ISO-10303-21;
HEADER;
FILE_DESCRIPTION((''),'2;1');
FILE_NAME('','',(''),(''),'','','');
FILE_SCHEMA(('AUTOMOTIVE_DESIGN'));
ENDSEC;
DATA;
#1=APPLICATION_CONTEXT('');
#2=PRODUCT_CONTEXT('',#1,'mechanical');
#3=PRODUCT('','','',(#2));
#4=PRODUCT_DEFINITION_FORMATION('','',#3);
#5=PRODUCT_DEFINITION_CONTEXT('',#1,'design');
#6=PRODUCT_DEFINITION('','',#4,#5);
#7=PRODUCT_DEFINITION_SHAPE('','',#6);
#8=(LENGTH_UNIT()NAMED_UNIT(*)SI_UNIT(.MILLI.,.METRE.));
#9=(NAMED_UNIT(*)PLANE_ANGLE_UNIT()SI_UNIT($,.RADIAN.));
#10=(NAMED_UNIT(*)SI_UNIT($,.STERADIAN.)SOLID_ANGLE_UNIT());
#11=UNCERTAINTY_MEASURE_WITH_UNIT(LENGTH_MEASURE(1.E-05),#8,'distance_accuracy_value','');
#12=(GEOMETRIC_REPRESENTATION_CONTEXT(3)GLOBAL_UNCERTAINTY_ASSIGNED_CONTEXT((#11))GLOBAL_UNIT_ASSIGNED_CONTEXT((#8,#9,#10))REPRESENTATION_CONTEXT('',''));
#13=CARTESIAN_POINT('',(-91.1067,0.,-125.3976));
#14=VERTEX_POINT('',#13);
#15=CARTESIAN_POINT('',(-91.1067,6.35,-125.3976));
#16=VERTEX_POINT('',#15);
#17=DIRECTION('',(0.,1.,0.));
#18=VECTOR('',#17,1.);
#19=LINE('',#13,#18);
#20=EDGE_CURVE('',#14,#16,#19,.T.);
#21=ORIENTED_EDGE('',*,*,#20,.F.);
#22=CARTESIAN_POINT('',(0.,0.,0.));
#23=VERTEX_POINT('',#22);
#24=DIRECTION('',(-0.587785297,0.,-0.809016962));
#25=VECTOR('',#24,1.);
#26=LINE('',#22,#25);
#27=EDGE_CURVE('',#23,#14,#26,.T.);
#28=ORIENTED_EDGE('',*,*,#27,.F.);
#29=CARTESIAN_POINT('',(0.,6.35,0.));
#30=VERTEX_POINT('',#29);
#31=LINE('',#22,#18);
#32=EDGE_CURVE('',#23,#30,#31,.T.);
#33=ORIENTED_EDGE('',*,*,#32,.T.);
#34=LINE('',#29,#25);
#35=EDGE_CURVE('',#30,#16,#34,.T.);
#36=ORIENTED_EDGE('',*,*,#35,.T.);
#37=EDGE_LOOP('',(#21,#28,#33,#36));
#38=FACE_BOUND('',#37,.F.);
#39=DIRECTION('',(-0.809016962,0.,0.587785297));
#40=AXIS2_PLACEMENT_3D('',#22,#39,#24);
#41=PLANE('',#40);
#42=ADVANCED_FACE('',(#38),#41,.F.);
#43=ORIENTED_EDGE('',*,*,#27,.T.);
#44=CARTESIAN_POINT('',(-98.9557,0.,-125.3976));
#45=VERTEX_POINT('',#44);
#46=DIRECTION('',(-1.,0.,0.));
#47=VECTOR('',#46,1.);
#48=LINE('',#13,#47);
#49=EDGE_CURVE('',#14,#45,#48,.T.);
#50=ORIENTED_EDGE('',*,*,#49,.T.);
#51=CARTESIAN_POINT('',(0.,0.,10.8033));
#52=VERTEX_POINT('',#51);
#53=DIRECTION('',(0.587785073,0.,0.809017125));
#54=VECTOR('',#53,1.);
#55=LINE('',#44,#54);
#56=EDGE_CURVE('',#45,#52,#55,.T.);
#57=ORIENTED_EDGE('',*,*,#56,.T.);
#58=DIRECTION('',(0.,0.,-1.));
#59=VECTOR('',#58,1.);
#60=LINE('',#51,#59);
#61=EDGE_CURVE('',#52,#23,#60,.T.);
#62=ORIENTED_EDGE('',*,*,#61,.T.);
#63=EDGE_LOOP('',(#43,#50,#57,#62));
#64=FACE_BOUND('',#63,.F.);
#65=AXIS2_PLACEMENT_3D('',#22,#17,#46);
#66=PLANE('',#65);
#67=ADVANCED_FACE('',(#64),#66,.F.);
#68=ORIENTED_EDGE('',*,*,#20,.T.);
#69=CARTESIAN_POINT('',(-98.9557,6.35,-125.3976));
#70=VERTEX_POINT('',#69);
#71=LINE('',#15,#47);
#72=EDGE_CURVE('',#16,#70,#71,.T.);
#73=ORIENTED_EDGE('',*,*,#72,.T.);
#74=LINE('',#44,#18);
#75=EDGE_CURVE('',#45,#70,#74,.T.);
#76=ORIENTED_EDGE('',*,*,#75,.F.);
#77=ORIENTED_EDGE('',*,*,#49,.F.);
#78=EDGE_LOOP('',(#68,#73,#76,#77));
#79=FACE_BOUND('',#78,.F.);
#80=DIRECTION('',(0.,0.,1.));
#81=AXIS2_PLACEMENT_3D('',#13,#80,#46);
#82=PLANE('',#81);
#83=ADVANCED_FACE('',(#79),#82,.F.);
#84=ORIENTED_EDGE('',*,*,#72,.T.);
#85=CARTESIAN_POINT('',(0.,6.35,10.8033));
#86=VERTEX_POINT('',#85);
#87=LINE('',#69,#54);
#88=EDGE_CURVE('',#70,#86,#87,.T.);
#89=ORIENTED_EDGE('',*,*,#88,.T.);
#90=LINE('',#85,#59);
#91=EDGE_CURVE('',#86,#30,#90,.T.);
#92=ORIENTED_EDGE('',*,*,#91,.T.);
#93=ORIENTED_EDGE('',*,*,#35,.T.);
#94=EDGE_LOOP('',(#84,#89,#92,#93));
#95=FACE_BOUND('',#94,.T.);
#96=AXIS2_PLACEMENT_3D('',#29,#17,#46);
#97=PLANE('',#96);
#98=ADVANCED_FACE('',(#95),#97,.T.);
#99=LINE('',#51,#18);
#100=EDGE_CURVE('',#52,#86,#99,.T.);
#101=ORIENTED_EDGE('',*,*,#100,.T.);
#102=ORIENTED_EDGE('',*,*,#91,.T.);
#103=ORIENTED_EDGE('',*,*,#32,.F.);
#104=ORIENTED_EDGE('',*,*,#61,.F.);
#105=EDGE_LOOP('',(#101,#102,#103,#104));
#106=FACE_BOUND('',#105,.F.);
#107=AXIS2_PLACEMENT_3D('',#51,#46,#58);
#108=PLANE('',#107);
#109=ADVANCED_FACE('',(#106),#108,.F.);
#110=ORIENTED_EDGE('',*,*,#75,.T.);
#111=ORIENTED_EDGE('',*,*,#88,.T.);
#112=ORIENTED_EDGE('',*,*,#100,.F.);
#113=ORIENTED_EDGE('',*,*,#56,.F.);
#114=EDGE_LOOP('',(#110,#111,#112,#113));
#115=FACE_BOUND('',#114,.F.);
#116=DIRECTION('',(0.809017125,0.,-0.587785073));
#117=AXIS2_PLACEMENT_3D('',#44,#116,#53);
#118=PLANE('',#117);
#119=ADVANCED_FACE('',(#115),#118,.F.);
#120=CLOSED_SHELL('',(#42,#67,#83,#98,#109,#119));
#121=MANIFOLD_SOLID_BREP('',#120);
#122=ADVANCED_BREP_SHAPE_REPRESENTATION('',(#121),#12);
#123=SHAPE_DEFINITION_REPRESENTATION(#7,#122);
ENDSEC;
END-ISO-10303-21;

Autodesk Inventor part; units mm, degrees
ref_plane "YZ Plane" through (0, 0, 0) normal (1, 0, 0) x (0, 1, 0)
ref_plane "XZ Plane" through (0, 0, 0) normal (0, 1, 0) x (-1, 0, 0)
ref_plane "XY Plane" through (0, 0, 0) normal (0, 0, 1) x (1, 0, 0)
sketch "Sketch1" plane through (0, 0, 0) normal (0, 1, 0) x (-1, 0, 0)
  line L0 (0, 0) -> (91.1067, -125.3976)
  line L1 (0, 0) -> (155, 0) construction
  line L2 (91.1067, -125.3976) -> (98.9557, -125.3976)
  line L3 (98.9557, -125.3976) -> (0, 10.8033)
  line L4 (0, 10.8033) -> (0, 0)
  dimension "d0" = 155
  dimension "d1" = 54
extrude "Extrusion1" add sketch "Sketch1" along normal blind 6.35
sketch "Sketch2" plane through (0, 6.35, 0) normal (0, 1, 0) x (1, 0, 0)
  point P0 (0, 0)
sketch "Sketch3" plane through (0, 0, 10.8033) normal (1, 0, 0) x (0, 0, -1)
  line L0 (0, 6.35) -> (10.8033, 6.35) projected
  line L1 (10.8033, 0) -> (10.8033, 6.35) projected
  line L2 (0, 6.35) -> (10.8033, 0)
  line L3 (10.8033, 6.35) -> (0, 0)
sketch "Sketch4" plane through (0, 0, 10.8033) normal (1, 0, 0) x (0, 0, -1)
  point P0 (10.8033, 0)
sketch "Sketch5" plane through (0, 0, 10.8033) normal (1, 0, 0) x (0, 0, -1)
  point P0 (10.8033, 0)
properties part number "UpperExteriorDiagonal"
